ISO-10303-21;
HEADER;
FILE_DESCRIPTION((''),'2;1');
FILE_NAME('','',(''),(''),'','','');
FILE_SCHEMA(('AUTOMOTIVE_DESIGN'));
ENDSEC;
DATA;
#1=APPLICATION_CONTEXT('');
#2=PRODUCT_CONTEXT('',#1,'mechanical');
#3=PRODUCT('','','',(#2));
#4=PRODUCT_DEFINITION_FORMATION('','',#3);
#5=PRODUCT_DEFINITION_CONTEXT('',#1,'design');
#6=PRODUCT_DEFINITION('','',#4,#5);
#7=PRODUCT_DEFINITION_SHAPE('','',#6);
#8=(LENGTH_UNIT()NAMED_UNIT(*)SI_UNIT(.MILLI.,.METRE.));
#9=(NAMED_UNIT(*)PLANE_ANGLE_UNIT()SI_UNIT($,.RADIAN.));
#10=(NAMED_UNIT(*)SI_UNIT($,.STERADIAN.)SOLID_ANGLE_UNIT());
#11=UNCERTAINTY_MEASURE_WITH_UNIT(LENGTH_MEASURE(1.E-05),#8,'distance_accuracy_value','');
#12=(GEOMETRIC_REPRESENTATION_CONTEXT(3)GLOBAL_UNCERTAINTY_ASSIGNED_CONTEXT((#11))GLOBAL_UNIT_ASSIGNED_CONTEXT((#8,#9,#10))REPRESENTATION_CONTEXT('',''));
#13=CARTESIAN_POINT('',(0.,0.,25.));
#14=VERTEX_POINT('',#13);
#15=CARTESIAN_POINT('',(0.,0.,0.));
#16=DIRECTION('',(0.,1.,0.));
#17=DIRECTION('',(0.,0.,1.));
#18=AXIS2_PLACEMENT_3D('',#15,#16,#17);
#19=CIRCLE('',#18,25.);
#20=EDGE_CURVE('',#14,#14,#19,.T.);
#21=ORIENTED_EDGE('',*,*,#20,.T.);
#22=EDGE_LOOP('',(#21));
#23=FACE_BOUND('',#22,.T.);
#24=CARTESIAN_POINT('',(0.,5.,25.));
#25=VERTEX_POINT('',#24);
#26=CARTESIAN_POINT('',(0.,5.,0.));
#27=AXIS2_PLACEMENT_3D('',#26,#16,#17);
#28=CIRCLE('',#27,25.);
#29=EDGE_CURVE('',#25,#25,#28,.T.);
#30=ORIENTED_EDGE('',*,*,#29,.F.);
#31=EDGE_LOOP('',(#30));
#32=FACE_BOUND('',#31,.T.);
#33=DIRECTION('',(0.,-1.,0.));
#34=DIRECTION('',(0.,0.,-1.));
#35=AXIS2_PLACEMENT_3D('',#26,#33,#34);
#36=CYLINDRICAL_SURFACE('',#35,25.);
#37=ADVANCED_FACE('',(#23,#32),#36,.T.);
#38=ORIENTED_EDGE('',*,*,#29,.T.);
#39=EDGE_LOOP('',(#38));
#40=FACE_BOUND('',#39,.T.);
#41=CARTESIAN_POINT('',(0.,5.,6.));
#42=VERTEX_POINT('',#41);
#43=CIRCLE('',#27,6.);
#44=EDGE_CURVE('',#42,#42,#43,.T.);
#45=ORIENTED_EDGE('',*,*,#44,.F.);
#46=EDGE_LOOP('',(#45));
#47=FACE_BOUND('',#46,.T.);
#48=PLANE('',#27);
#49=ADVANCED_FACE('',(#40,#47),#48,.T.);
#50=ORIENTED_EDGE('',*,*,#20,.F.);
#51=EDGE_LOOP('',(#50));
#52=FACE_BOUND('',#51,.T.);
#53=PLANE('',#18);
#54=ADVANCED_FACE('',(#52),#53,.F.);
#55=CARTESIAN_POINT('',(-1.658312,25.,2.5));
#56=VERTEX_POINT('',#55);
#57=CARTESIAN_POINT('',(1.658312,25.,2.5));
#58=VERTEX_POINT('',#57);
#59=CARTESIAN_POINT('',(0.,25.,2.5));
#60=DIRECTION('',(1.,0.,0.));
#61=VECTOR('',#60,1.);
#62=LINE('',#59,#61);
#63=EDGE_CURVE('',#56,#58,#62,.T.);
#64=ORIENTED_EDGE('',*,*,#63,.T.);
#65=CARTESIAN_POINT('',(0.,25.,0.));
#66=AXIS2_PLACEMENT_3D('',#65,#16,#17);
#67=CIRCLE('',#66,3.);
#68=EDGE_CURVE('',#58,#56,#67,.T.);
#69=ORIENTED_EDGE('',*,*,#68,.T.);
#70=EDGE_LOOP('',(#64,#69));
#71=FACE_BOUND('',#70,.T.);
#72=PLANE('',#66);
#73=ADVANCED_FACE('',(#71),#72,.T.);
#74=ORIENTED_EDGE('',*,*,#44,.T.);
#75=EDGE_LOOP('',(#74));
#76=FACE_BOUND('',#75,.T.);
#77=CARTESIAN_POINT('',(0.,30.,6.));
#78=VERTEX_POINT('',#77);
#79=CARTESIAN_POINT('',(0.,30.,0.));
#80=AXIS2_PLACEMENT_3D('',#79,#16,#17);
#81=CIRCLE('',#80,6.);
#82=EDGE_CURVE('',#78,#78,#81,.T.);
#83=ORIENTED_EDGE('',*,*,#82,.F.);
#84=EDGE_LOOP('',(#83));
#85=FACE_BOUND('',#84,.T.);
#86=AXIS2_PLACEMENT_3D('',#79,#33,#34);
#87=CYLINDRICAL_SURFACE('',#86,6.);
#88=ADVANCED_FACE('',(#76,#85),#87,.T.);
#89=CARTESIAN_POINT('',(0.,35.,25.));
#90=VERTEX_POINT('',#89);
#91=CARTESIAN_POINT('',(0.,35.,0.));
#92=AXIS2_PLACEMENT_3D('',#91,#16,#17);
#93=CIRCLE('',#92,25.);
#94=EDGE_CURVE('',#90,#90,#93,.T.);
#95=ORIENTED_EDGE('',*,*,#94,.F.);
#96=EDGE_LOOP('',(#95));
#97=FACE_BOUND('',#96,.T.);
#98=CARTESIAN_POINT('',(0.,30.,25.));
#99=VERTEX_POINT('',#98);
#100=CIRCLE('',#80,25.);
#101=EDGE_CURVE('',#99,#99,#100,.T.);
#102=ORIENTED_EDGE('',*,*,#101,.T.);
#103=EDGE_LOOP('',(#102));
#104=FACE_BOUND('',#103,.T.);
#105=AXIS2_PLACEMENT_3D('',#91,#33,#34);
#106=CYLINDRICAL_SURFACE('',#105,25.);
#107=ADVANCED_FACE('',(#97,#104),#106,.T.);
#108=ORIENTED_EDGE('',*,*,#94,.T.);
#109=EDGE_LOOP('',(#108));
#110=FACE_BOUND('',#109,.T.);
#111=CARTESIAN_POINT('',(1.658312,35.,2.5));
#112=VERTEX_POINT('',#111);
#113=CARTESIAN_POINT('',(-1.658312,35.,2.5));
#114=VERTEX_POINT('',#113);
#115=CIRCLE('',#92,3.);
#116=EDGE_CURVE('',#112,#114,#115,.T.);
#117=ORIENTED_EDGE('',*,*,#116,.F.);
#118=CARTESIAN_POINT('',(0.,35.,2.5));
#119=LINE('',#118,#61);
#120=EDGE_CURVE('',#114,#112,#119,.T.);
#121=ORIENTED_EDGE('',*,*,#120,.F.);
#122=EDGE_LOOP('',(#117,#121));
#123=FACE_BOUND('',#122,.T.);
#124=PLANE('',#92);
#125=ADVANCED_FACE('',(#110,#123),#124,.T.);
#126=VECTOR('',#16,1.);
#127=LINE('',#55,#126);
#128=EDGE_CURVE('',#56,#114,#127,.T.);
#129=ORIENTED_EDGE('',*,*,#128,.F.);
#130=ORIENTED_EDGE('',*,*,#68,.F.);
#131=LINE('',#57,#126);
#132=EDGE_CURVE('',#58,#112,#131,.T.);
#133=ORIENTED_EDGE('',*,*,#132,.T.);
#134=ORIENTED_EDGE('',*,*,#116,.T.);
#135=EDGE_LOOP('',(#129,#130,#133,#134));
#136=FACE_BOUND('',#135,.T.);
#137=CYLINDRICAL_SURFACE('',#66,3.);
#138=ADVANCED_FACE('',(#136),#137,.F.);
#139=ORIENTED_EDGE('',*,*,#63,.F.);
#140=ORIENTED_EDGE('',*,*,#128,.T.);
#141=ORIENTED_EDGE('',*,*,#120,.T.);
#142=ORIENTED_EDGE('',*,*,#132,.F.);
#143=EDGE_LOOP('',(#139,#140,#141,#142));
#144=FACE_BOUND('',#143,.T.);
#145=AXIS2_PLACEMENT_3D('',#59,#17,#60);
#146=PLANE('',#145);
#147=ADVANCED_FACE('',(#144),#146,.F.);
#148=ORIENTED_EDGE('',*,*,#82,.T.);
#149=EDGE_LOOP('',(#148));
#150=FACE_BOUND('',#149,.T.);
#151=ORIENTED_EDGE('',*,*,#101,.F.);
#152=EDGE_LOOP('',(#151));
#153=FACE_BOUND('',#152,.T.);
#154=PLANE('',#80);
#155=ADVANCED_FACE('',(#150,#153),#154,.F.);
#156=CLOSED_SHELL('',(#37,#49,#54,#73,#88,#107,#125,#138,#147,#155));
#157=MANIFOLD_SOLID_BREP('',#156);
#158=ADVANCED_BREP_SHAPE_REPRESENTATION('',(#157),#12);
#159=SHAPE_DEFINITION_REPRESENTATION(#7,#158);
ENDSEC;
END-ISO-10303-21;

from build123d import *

# Parameters (mm, degrees)
SKETCH1_R           = 25
BOSS_EXTRUDE1_DEPTH = 5
SKETCH2_R           = 6
BOSS_EXTRUDE2_DEPTH = 25
SKETCH3_R           = 25
BOSS_EXTRUDE3_DEPTH = 5
CUT_EXTRUDE1_DEPTH  = 10


with BuildPart() as part:
    # Sketch1 → Boss-Extrude1 (new body)
    with BuildSketch(Plane(origin=(0, 0, 0), x_dir=(1, 0, 0), z_dir=(0, 1, 0))):
        with Locations(Location((0, 0, 0), (0, 0, 270))):
            Circle(SKETCH1_R)
    extrude(amount=BOSS_EXTRUDE1_DEPTH)

    # Sketch2 → Boss-Extrude2 (add)
    with BuildSketch(Plane(origin=(0, 5, 0), x_dir=(1, 0, 0), z_dir=(0, 1, 0))):
        with Locations(Location((0, 0, 0), (0, 0, 270))):
            Circle(SKETCH2_R)
    extrude(amount=BOSS_EXTRUDE2_DEPTH)

    # Sketch3 → Boss-Extrude3 (add)
    with BuildSketch(Plane(origin=(0, 30, 0), x_dir=(1, 0, 0), z_dir=(0, 1, 0))):
        with Locations(Location((0, 0, 0), (0, 0, 270))):
            Circle(SKETCH3_R)
    extrude(amount=BOSS_EXTRUDE3_DEPTH)

    # Sketch4 → Cut-Extrude1 (cut)
    with BuildSketch(Plane(origin=(0, 35, 0), x_dir=(1, 0, 0), z_dir=(0, 1, 0))):
        with BuildLine():
            Line((0, -2.5), (-1.658312395, -2.5))
            ThreePointArc((-1.658312395, -2.5), (0, 3), (1.658312395, -2.5))
            Line((1.658312395, -2.5), (0, -2.5))
        make_face()
    extrude(amount=-CUT_EXTRUDE1_DEPTH, mode=Mode.SUBTRACT)


solid = part.part
